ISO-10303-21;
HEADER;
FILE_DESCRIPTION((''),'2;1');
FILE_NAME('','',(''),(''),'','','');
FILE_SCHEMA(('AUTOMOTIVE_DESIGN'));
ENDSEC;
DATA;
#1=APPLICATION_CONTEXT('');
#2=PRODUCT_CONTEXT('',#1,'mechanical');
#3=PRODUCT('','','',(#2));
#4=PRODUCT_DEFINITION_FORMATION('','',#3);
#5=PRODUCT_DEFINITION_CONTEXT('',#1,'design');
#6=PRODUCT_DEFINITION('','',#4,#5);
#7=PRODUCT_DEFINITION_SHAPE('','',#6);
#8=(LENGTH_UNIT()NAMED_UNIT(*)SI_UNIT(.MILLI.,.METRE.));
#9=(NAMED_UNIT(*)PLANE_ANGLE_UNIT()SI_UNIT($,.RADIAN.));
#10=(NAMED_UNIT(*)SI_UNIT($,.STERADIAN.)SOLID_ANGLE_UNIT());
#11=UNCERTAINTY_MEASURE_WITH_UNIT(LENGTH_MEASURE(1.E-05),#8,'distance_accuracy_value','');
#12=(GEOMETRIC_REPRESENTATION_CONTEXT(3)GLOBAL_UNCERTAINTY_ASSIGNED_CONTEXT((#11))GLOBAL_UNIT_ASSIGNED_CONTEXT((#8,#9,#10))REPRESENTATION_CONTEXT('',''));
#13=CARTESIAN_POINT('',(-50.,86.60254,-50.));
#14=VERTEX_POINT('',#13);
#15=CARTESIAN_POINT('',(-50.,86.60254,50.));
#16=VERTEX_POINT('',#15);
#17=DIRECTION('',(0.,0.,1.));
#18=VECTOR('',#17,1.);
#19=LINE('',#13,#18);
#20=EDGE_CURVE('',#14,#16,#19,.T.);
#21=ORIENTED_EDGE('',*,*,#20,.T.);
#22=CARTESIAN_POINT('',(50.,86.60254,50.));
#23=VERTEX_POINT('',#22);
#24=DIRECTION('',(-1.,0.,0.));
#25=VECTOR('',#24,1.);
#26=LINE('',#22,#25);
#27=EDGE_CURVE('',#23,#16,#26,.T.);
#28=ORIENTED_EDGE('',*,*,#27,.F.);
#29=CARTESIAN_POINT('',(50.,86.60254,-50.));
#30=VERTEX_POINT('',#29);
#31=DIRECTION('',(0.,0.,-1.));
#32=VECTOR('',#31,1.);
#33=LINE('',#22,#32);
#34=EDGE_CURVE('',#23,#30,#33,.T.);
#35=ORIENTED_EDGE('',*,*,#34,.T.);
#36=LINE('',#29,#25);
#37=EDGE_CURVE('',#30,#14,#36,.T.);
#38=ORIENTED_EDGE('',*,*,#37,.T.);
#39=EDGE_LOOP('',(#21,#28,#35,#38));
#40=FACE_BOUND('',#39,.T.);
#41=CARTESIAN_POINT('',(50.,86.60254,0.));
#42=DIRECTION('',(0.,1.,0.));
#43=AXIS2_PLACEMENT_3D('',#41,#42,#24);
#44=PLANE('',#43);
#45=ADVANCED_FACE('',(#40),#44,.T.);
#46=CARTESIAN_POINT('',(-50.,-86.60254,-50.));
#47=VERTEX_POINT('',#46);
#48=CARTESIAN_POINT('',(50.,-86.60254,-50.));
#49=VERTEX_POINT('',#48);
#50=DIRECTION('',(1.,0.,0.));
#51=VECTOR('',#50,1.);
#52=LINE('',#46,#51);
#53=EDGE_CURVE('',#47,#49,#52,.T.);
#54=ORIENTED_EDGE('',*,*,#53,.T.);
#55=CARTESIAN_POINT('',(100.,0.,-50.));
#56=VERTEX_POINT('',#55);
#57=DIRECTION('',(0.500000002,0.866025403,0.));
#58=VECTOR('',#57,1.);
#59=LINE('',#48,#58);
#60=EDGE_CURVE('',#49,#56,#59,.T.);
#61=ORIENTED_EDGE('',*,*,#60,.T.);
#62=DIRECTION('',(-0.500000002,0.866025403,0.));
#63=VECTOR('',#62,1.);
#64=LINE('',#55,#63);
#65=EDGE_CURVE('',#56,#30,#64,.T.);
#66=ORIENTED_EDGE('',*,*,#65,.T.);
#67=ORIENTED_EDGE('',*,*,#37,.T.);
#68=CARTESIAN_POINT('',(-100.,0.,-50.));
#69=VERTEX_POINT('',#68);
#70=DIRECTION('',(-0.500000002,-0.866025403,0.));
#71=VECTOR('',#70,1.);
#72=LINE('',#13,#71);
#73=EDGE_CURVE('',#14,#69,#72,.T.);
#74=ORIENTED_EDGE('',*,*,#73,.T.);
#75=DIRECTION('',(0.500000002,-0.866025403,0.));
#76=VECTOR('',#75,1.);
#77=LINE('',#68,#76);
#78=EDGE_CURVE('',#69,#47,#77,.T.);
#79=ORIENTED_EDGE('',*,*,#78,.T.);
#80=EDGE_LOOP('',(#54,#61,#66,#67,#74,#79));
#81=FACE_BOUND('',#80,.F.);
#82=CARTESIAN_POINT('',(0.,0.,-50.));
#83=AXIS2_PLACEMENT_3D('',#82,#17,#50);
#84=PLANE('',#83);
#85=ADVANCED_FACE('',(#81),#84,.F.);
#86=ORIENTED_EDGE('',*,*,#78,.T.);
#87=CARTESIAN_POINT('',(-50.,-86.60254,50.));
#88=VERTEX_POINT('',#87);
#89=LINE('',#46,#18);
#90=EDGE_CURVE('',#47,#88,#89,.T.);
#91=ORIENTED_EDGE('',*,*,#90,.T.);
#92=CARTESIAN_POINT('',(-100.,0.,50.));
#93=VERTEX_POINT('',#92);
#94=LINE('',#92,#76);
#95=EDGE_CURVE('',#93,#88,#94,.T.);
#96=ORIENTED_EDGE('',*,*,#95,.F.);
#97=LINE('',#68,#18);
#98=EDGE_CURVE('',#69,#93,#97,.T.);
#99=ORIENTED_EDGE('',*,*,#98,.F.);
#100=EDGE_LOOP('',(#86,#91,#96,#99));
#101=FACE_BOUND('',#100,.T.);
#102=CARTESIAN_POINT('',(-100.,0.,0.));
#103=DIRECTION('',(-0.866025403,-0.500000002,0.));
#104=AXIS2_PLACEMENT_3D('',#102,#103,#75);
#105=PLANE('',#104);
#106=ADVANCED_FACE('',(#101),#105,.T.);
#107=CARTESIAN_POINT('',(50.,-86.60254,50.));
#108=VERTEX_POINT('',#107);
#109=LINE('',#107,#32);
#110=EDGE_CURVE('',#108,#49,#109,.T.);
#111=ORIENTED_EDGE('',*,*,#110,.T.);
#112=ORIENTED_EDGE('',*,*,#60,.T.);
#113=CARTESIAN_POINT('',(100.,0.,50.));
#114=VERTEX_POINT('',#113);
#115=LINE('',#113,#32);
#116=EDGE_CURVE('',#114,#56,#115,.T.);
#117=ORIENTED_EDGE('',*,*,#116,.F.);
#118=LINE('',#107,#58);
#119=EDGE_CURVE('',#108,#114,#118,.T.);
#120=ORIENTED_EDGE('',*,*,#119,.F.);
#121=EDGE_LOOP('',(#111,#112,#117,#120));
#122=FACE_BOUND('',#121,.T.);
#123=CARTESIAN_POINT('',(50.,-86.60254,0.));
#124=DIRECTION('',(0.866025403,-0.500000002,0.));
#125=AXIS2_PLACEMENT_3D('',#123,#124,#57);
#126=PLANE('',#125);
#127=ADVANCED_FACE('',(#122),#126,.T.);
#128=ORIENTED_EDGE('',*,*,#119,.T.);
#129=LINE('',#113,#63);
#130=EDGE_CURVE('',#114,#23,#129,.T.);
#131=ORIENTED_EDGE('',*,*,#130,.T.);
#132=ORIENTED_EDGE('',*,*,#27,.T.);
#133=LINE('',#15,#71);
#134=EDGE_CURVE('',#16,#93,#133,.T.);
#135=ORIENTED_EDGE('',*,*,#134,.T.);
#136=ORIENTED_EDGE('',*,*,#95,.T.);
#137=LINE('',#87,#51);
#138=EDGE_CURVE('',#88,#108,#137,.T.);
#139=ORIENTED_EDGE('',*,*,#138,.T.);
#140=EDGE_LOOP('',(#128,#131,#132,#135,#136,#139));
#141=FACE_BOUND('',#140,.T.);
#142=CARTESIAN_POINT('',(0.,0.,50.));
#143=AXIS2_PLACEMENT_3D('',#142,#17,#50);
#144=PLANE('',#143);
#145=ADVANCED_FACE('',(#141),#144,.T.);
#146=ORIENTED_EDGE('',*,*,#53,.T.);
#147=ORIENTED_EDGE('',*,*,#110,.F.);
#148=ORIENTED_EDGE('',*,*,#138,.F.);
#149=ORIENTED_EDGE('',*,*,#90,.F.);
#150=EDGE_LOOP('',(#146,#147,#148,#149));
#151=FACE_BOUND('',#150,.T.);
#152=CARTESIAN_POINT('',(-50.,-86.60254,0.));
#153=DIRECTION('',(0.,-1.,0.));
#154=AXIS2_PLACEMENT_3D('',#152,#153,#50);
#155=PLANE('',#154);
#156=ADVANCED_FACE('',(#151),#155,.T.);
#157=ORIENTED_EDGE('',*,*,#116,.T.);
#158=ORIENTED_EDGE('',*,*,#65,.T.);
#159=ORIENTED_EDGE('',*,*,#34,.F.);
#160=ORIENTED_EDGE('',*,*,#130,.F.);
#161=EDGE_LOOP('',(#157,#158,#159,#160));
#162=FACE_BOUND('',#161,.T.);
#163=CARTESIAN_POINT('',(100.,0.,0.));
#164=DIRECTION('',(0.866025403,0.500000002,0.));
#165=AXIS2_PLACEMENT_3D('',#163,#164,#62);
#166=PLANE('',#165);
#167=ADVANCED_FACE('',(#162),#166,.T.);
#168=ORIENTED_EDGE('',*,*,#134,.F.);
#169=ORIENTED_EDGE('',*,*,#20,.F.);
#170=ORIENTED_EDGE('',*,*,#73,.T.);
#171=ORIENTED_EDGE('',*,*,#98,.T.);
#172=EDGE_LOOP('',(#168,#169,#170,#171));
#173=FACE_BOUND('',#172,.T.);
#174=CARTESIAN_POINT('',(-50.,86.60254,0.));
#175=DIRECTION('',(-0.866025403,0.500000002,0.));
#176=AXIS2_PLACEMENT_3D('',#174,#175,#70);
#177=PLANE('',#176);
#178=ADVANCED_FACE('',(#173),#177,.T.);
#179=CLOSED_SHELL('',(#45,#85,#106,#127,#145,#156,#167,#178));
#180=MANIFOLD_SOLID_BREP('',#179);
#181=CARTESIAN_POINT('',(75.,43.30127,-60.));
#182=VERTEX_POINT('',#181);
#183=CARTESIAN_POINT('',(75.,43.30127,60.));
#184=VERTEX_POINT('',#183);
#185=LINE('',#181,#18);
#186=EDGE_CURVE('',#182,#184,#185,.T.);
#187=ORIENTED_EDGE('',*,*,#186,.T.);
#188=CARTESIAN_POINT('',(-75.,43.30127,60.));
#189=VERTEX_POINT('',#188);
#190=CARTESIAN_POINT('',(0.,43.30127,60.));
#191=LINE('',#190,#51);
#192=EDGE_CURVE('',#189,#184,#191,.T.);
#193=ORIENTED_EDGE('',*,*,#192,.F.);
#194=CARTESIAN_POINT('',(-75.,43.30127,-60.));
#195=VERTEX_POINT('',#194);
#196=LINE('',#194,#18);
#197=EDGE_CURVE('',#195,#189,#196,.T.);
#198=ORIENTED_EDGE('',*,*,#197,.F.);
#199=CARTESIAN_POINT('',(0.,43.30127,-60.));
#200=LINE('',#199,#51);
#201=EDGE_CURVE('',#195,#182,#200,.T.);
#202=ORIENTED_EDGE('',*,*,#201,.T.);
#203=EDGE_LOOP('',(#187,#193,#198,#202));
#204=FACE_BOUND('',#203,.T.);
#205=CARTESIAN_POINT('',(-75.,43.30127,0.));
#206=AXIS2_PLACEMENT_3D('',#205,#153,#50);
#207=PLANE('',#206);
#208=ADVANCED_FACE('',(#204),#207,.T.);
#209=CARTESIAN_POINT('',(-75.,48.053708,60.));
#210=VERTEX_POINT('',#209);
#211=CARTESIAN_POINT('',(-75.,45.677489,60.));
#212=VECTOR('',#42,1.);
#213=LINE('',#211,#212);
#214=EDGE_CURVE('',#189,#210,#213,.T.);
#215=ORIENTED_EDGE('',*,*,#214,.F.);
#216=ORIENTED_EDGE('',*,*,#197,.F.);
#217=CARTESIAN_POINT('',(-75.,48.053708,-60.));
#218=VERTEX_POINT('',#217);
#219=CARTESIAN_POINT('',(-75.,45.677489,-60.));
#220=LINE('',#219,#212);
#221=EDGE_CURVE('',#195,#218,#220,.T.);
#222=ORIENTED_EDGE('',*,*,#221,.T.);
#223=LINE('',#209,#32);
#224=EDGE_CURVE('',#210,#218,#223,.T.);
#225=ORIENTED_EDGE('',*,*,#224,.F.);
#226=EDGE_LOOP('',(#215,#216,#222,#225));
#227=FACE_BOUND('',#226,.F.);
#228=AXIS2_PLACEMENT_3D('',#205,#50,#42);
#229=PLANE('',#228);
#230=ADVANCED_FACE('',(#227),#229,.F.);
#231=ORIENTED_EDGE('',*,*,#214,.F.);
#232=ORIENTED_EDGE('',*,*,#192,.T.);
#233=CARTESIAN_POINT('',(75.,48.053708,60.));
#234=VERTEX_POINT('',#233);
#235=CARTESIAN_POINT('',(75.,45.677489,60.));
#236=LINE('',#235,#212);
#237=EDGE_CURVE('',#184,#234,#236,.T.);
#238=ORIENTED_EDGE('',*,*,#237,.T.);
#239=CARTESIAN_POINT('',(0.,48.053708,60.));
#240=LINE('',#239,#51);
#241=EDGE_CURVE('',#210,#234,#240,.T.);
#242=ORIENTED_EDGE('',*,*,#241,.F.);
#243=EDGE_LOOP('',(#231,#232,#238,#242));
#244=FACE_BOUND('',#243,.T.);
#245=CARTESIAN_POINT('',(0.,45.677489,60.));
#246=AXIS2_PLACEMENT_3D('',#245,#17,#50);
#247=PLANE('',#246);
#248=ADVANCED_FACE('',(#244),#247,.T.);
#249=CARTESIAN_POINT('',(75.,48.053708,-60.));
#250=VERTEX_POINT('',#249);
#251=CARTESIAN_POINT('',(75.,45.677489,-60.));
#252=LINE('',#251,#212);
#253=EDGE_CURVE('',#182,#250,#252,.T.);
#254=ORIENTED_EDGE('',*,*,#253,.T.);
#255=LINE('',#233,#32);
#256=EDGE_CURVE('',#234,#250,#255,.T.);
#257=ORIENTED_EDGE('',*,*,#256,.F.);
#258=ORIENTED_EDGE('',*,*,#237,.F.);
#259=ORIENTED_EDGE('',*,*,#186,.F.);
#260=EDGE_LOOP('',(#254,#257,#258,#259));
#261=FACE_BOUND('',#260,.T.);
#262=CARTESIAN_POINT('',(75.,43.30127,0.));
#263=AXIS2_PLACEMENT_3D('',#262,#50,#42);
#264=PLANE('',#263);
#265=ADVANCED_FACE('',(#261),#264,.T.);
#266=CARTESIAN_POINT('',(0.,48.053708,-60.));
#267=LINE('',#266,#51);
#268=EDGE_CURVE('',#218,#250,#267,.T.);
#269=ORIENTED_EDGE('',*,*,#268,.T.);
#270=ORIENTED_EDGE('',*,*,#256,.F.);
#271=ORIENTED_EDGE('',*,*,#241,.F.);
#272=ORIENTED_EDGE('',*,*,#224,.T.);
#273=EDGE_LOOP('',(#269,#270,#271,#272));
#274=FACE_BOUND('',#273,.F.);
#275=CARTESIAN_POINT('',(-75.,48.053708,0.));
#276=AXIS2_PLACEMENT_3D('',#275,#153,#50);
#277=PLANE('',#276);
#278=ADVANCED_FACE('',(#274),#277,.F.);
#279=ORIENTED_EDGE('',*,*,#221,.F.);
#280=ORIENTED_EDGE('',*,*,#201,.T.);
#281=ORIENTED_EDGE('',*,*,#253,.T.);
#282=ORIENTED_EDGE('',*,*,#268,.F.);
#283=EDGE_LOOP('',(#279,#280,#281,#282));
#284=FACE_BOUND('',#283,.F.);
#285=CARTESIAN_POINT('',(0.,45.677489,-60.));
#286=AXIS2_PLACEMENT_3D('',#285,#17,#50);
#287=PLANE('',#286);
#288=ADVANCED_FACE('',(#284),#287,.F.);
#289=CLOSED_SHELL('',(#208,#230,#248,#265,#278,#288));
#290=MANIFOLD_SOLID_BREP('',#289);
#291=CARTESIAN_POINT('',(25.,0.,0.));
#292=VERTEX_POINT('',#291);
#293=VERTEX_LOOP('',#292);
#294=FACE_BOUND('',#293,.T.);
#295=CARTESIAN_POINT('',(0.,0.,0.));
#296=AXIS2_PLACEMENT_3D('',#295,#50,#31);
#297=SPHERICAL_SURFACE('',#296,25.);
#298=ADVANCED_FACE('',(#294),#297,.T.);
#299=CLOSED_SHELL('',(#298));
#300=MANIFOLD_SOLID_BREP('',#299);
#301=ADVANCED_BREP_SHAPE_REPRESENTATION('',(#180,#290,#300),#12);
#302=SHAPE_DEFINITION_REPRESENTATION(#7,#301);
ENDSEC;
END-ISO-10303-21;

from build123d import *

# Parameters (mm, degrees)
F2_DEPTH = 50
F1_W     = 150
F1_H     = 4.752438
F3_DEPTH = 60


with BuildPart() as f2:
    # F0 (on Top) → F2 (new body, symmetric)
    with BuildSketch(Plane.XY):
        Polygon((50, 86.60254), (-50, 86.60254), (-100, 0), (-50, -86.60254), (50, -86.60254), (100, 0), align=None)
    extrude(amount=F2_DEPTH, both=True)


with BuildPart() as f3:
    # F1 (on Top) → F3 (new body, symmetric)
    with BuildSketch(Plane.XY):
        with Locations((0, 45.677489)):
            Rectangle(F1_W, F1_H)
    extrude(amount=F3_DEPTH, both=True)


with BuildPart() as f5:
    # F4 (on Front) → F5 (revolve)
    with BuildSketch(Plane.XZ):
        with BuildLine():
            Line((25, 0), (-25, 0))
            ThreePointArc((-25, 0), (0, -25), (25, 0))
        make_face()
    revolve(axis=Axis((0, 0, 0), (1, 0, 0)))


solid = Compound([f2.part, f3.part, f5.part])
